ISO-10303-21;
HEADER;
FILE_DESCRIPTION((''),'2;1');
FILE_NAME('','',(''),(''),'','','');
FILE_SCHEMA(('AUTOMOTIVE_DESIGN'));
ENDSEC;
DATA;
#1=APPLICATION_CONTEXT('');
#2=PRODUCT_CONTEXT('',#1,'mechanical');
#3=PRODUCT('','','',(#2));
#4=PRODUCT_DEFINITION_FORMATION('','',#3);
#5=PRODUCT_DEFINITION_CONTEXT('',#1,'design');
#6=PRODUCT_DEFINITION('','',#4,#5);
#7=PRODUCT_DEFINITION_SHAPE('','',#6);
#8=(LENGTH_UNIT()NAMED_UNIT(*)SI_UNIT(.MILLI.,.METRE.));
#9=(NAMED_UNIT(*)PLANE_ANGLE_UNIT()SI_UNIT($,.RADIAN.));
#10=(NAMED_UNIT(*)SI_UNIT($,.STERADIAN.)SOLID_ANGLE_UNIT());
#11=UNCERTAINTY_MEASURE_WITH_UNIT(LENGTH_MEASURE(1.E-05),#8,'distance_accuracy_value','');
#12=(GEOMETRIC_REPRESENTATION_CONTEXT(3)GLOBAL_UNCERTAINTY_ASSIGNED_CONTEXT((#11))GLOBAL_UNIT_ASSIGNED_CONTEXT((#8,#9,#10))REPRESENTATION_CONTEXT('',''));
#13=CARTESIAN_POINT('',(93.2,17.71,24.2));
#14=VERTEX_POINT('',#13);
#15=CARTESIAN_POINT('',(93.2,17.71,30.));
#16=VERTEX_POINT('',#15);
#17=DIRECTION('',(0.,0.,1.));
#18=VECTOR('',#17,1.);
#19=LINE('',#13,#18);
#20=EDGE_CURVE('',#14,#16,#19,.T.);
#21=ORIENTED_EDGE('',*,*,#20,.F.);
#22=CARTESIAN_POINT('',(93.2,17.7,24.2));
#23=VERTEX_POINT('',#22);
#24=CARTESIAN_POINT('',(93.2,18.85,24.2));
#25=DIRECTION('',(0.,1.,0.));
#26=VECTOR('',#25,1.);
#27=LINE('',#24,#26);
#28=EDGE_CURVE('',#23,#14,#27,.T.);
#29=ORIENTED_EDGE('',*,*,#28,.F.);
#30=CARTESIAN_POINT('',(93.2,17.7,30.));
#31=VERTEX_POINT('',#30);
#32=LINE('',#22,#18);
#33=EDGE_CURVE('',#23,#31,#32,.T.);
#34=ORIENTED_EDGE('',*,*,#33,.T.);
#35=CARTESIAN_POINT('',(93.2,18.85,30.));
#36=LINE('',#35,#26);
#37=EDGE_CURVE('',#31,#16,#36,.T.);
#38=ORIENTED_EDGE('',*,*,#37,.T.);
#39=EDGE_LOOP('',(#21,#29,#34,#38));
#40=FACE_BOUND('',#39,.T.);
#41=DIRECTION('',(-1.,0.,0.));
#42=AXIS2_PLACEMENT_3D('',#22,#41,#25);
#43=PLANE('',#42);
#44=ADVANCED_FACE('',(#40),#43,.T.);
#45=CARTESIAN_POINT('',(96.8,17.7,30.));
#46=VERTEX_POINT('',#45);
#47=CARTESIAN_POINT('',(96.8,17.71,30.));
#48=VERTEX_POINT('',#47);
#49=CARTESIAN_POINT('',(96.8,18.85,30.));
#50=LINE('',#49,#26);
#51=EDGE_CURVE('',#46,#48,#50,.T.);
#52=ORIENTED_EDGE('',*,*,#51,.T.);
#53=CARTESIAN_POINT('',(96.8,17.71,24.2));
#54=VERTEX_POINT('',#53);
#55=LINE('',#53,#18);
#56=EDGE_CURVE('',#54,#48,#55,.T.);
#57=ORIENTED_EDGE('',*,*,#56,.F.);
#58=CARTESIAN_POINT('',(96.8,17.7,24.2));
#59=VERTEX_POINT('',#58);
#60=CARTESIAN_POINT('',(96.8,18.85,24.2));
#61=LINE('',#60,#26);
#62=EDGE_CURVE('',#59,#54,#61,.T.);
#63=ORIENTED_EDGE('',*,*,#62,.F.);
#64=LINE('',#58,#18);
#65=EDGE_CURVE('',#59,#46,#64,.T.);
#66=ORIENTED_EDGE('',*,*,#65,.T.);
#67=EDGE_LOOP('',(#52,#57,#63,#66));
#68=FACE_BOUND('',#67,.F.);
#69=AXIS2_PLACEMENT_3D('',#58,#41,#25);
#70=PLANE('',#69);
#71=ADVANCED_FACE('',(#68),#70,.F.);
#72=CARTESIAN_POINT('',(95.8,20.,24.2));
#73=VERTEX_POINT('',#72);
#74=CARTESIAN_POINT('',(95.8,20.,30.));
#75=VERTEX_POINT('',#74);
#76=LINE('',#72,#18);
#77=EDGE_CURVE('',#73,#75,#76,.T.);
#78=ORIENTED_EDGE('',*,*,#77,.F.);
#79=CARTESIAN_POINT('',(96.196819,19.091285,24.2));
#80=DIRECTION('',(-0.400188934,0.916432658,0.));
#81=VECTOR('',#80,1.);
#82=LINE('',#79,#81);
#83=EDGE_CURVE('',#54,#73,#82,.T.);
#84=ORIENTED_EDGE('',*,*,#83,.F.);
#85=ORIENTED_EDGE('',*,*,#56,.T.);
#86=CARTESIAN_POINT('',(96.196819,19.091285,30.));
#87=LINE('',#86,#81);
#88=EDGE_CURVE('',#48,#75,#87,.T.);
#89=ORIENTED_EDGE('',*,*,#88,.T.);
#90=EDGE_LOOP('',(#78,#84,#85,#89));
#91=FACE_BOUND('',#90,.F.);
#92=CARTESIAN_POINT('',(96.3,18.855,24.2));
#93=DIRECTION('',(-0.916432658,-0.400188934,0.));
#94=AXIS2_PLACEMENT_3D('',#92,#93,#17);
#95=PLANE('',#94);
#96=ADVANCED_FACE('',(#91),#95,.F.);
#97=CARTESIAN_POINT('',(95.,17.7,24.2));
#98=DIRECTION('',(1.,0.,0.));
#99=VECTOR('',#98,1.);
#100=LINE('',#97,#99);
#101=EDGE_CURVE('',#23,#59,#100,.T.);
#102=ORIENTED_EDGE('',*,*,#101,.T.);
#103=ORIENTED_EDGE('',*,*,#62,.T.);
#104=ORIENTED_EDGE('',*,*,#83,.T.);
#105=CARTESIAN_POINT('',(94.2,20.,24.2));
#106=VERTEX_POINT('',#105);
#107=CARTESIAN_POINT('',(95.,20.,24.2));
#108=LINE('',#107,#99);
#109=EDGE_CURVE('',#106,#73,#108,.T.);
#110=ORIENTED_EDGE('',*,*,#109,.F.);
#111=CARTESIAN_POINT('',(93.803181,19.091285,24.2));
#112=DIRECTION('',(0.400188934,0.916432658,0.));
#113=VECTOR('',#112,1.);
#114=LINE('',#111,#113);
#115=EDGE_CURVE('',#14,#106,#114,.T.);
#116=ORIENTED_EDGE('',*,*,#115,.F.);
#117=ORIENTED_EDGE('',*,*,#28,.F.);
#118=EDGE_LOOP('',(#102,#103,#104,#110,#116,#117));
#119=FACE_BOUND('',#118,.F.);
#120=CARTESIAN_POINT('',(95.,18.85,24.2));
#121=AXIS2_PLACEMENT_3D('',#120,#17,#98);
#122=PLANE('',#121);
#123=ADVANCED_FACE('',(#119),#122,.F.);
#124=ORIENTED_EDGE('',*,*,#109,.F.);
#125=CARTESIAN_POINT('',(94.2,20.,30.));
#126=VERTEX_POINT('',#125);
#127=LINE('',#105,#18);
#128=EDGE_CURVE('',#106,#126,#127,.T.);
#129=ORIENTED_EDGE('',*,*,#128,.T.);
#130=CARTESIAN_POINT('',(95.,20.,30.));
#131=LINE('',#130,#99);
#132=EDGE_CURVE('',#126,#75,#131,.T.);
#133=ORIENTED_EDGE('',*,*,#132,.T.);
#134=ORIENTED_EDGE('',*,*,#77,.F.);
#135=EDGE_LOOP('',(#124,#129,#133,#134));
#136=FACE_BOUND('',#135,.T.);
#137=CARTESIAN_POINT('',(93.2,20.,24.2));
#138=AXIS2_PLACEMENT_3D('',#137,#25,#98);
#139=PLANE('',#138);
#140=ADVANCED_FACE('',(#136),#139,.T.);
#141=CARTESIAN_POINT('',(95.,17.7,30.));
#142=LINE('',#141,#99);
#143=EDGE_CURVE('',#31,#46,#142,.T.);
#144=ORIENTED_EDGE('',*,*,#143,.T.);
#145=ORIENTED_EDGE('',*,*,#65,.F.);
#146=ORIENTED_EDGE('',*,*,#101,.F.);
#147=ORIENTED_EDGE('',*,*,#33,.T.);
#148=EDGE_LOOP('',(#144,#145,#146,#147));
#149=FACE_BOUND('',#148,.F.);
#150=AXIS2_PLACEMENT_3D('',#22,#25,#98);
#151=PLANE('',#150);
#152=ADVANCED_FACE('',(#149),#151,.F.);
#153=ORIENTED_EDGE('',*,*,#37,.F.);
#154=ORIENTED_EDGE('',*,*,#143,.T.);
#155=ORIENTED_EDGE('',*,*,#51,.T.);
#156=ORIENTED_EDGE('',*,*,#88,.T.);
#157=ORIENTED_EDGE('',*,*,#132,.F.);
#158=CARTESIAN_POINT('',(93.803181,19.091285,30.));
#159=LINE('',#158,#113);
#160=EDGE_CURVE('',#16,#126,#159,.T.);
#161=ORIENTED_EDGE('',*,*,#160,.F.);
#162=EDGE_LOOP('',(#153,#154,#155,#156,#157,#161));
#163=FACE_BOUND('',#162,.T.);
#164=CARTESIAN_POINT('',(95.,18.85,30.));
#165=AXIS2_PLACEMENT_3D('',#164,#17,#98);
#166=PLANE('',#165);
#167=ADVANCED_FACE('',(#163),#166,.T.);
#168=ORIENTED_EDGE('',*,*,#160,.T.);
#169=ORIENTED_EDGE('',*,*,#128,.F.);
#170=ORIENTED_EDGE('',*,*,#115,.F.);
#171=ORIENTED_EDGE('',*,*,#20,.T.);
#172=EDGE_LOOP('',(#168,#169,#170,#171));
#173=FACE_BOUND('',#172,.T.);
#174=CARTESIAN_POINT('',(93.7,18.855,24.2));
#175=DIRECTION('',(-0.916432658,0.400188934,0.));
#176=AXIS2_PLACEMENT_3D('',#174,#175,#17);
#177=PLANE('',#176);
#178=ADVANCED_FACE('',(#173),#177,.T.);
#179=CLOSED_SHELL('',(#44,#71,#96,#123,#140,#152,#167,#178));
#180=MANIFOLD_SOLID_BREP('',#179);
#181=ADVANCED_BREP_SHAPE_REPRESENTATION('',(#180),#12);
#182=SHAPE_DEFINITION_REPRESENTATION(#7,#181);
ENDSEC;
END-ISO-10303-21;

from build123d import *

# Parameters (mm, degrees)
BOX036_W           = 3.6
BOX036_H           = 2.3
BOX036_DEPTH       = 5.8
CHAMFER031_1_SIZE2 = 1
CHAMFER031_1_SIZE  = 2.29
CHAMFER031_2_SIZE2 = 1
CHAMFER031_2_SIZE  = 2.29


with BuildPart() as part:
    # Box036 → Box036 (new body)
    with BuildSketch(Plane(origin=(53.2, 17.7, 24.2), x_dir=(1, 0, 0), z_dir=(0, 0, 1))):
        with Locations((1.8, 1.15)):
            Rectangle(BOX036_W, BOX036_H)
    extrude(amount=BOX036_DEPTH)

    # Chamfer031 1
    chamfer031_1_edges = [part.edges().sort_by_distance(p)[0] for p in [
        (56.8, 20, 27.1),
    ]]
    chamfer031_1_side = part.faces().sort_by_distance((56.8, 18.85, 27.1))[0]
    chamfer(chamfer031_1_edges, length=CHAMFER031_1_SIZE, length2=CHAMFER031_1_SIZE2, reference=chamfer031_1_side)

    # Chamfer031 2
    chamfer031_2_edges = [part.edges().sort_by_distance(p)[0] for p in [
        (53.2, 20, 27.1),
    ]]
    chamfer031_2_side = part.faces().sort_by_distance((53.2, 18.85, 27.1))[0]
    chamfer(chamfer031_2_edges, length=CHAMFER031_2_SIZE, length2=CHAMFER031_2_SIZE2, reference=chamfer031_2_side)


with BuildPart() as part_1:
    # Chamfer031 placement: moved
    add(part.part.moved(Location((40, 0, 0))))


solid = part_1.part
